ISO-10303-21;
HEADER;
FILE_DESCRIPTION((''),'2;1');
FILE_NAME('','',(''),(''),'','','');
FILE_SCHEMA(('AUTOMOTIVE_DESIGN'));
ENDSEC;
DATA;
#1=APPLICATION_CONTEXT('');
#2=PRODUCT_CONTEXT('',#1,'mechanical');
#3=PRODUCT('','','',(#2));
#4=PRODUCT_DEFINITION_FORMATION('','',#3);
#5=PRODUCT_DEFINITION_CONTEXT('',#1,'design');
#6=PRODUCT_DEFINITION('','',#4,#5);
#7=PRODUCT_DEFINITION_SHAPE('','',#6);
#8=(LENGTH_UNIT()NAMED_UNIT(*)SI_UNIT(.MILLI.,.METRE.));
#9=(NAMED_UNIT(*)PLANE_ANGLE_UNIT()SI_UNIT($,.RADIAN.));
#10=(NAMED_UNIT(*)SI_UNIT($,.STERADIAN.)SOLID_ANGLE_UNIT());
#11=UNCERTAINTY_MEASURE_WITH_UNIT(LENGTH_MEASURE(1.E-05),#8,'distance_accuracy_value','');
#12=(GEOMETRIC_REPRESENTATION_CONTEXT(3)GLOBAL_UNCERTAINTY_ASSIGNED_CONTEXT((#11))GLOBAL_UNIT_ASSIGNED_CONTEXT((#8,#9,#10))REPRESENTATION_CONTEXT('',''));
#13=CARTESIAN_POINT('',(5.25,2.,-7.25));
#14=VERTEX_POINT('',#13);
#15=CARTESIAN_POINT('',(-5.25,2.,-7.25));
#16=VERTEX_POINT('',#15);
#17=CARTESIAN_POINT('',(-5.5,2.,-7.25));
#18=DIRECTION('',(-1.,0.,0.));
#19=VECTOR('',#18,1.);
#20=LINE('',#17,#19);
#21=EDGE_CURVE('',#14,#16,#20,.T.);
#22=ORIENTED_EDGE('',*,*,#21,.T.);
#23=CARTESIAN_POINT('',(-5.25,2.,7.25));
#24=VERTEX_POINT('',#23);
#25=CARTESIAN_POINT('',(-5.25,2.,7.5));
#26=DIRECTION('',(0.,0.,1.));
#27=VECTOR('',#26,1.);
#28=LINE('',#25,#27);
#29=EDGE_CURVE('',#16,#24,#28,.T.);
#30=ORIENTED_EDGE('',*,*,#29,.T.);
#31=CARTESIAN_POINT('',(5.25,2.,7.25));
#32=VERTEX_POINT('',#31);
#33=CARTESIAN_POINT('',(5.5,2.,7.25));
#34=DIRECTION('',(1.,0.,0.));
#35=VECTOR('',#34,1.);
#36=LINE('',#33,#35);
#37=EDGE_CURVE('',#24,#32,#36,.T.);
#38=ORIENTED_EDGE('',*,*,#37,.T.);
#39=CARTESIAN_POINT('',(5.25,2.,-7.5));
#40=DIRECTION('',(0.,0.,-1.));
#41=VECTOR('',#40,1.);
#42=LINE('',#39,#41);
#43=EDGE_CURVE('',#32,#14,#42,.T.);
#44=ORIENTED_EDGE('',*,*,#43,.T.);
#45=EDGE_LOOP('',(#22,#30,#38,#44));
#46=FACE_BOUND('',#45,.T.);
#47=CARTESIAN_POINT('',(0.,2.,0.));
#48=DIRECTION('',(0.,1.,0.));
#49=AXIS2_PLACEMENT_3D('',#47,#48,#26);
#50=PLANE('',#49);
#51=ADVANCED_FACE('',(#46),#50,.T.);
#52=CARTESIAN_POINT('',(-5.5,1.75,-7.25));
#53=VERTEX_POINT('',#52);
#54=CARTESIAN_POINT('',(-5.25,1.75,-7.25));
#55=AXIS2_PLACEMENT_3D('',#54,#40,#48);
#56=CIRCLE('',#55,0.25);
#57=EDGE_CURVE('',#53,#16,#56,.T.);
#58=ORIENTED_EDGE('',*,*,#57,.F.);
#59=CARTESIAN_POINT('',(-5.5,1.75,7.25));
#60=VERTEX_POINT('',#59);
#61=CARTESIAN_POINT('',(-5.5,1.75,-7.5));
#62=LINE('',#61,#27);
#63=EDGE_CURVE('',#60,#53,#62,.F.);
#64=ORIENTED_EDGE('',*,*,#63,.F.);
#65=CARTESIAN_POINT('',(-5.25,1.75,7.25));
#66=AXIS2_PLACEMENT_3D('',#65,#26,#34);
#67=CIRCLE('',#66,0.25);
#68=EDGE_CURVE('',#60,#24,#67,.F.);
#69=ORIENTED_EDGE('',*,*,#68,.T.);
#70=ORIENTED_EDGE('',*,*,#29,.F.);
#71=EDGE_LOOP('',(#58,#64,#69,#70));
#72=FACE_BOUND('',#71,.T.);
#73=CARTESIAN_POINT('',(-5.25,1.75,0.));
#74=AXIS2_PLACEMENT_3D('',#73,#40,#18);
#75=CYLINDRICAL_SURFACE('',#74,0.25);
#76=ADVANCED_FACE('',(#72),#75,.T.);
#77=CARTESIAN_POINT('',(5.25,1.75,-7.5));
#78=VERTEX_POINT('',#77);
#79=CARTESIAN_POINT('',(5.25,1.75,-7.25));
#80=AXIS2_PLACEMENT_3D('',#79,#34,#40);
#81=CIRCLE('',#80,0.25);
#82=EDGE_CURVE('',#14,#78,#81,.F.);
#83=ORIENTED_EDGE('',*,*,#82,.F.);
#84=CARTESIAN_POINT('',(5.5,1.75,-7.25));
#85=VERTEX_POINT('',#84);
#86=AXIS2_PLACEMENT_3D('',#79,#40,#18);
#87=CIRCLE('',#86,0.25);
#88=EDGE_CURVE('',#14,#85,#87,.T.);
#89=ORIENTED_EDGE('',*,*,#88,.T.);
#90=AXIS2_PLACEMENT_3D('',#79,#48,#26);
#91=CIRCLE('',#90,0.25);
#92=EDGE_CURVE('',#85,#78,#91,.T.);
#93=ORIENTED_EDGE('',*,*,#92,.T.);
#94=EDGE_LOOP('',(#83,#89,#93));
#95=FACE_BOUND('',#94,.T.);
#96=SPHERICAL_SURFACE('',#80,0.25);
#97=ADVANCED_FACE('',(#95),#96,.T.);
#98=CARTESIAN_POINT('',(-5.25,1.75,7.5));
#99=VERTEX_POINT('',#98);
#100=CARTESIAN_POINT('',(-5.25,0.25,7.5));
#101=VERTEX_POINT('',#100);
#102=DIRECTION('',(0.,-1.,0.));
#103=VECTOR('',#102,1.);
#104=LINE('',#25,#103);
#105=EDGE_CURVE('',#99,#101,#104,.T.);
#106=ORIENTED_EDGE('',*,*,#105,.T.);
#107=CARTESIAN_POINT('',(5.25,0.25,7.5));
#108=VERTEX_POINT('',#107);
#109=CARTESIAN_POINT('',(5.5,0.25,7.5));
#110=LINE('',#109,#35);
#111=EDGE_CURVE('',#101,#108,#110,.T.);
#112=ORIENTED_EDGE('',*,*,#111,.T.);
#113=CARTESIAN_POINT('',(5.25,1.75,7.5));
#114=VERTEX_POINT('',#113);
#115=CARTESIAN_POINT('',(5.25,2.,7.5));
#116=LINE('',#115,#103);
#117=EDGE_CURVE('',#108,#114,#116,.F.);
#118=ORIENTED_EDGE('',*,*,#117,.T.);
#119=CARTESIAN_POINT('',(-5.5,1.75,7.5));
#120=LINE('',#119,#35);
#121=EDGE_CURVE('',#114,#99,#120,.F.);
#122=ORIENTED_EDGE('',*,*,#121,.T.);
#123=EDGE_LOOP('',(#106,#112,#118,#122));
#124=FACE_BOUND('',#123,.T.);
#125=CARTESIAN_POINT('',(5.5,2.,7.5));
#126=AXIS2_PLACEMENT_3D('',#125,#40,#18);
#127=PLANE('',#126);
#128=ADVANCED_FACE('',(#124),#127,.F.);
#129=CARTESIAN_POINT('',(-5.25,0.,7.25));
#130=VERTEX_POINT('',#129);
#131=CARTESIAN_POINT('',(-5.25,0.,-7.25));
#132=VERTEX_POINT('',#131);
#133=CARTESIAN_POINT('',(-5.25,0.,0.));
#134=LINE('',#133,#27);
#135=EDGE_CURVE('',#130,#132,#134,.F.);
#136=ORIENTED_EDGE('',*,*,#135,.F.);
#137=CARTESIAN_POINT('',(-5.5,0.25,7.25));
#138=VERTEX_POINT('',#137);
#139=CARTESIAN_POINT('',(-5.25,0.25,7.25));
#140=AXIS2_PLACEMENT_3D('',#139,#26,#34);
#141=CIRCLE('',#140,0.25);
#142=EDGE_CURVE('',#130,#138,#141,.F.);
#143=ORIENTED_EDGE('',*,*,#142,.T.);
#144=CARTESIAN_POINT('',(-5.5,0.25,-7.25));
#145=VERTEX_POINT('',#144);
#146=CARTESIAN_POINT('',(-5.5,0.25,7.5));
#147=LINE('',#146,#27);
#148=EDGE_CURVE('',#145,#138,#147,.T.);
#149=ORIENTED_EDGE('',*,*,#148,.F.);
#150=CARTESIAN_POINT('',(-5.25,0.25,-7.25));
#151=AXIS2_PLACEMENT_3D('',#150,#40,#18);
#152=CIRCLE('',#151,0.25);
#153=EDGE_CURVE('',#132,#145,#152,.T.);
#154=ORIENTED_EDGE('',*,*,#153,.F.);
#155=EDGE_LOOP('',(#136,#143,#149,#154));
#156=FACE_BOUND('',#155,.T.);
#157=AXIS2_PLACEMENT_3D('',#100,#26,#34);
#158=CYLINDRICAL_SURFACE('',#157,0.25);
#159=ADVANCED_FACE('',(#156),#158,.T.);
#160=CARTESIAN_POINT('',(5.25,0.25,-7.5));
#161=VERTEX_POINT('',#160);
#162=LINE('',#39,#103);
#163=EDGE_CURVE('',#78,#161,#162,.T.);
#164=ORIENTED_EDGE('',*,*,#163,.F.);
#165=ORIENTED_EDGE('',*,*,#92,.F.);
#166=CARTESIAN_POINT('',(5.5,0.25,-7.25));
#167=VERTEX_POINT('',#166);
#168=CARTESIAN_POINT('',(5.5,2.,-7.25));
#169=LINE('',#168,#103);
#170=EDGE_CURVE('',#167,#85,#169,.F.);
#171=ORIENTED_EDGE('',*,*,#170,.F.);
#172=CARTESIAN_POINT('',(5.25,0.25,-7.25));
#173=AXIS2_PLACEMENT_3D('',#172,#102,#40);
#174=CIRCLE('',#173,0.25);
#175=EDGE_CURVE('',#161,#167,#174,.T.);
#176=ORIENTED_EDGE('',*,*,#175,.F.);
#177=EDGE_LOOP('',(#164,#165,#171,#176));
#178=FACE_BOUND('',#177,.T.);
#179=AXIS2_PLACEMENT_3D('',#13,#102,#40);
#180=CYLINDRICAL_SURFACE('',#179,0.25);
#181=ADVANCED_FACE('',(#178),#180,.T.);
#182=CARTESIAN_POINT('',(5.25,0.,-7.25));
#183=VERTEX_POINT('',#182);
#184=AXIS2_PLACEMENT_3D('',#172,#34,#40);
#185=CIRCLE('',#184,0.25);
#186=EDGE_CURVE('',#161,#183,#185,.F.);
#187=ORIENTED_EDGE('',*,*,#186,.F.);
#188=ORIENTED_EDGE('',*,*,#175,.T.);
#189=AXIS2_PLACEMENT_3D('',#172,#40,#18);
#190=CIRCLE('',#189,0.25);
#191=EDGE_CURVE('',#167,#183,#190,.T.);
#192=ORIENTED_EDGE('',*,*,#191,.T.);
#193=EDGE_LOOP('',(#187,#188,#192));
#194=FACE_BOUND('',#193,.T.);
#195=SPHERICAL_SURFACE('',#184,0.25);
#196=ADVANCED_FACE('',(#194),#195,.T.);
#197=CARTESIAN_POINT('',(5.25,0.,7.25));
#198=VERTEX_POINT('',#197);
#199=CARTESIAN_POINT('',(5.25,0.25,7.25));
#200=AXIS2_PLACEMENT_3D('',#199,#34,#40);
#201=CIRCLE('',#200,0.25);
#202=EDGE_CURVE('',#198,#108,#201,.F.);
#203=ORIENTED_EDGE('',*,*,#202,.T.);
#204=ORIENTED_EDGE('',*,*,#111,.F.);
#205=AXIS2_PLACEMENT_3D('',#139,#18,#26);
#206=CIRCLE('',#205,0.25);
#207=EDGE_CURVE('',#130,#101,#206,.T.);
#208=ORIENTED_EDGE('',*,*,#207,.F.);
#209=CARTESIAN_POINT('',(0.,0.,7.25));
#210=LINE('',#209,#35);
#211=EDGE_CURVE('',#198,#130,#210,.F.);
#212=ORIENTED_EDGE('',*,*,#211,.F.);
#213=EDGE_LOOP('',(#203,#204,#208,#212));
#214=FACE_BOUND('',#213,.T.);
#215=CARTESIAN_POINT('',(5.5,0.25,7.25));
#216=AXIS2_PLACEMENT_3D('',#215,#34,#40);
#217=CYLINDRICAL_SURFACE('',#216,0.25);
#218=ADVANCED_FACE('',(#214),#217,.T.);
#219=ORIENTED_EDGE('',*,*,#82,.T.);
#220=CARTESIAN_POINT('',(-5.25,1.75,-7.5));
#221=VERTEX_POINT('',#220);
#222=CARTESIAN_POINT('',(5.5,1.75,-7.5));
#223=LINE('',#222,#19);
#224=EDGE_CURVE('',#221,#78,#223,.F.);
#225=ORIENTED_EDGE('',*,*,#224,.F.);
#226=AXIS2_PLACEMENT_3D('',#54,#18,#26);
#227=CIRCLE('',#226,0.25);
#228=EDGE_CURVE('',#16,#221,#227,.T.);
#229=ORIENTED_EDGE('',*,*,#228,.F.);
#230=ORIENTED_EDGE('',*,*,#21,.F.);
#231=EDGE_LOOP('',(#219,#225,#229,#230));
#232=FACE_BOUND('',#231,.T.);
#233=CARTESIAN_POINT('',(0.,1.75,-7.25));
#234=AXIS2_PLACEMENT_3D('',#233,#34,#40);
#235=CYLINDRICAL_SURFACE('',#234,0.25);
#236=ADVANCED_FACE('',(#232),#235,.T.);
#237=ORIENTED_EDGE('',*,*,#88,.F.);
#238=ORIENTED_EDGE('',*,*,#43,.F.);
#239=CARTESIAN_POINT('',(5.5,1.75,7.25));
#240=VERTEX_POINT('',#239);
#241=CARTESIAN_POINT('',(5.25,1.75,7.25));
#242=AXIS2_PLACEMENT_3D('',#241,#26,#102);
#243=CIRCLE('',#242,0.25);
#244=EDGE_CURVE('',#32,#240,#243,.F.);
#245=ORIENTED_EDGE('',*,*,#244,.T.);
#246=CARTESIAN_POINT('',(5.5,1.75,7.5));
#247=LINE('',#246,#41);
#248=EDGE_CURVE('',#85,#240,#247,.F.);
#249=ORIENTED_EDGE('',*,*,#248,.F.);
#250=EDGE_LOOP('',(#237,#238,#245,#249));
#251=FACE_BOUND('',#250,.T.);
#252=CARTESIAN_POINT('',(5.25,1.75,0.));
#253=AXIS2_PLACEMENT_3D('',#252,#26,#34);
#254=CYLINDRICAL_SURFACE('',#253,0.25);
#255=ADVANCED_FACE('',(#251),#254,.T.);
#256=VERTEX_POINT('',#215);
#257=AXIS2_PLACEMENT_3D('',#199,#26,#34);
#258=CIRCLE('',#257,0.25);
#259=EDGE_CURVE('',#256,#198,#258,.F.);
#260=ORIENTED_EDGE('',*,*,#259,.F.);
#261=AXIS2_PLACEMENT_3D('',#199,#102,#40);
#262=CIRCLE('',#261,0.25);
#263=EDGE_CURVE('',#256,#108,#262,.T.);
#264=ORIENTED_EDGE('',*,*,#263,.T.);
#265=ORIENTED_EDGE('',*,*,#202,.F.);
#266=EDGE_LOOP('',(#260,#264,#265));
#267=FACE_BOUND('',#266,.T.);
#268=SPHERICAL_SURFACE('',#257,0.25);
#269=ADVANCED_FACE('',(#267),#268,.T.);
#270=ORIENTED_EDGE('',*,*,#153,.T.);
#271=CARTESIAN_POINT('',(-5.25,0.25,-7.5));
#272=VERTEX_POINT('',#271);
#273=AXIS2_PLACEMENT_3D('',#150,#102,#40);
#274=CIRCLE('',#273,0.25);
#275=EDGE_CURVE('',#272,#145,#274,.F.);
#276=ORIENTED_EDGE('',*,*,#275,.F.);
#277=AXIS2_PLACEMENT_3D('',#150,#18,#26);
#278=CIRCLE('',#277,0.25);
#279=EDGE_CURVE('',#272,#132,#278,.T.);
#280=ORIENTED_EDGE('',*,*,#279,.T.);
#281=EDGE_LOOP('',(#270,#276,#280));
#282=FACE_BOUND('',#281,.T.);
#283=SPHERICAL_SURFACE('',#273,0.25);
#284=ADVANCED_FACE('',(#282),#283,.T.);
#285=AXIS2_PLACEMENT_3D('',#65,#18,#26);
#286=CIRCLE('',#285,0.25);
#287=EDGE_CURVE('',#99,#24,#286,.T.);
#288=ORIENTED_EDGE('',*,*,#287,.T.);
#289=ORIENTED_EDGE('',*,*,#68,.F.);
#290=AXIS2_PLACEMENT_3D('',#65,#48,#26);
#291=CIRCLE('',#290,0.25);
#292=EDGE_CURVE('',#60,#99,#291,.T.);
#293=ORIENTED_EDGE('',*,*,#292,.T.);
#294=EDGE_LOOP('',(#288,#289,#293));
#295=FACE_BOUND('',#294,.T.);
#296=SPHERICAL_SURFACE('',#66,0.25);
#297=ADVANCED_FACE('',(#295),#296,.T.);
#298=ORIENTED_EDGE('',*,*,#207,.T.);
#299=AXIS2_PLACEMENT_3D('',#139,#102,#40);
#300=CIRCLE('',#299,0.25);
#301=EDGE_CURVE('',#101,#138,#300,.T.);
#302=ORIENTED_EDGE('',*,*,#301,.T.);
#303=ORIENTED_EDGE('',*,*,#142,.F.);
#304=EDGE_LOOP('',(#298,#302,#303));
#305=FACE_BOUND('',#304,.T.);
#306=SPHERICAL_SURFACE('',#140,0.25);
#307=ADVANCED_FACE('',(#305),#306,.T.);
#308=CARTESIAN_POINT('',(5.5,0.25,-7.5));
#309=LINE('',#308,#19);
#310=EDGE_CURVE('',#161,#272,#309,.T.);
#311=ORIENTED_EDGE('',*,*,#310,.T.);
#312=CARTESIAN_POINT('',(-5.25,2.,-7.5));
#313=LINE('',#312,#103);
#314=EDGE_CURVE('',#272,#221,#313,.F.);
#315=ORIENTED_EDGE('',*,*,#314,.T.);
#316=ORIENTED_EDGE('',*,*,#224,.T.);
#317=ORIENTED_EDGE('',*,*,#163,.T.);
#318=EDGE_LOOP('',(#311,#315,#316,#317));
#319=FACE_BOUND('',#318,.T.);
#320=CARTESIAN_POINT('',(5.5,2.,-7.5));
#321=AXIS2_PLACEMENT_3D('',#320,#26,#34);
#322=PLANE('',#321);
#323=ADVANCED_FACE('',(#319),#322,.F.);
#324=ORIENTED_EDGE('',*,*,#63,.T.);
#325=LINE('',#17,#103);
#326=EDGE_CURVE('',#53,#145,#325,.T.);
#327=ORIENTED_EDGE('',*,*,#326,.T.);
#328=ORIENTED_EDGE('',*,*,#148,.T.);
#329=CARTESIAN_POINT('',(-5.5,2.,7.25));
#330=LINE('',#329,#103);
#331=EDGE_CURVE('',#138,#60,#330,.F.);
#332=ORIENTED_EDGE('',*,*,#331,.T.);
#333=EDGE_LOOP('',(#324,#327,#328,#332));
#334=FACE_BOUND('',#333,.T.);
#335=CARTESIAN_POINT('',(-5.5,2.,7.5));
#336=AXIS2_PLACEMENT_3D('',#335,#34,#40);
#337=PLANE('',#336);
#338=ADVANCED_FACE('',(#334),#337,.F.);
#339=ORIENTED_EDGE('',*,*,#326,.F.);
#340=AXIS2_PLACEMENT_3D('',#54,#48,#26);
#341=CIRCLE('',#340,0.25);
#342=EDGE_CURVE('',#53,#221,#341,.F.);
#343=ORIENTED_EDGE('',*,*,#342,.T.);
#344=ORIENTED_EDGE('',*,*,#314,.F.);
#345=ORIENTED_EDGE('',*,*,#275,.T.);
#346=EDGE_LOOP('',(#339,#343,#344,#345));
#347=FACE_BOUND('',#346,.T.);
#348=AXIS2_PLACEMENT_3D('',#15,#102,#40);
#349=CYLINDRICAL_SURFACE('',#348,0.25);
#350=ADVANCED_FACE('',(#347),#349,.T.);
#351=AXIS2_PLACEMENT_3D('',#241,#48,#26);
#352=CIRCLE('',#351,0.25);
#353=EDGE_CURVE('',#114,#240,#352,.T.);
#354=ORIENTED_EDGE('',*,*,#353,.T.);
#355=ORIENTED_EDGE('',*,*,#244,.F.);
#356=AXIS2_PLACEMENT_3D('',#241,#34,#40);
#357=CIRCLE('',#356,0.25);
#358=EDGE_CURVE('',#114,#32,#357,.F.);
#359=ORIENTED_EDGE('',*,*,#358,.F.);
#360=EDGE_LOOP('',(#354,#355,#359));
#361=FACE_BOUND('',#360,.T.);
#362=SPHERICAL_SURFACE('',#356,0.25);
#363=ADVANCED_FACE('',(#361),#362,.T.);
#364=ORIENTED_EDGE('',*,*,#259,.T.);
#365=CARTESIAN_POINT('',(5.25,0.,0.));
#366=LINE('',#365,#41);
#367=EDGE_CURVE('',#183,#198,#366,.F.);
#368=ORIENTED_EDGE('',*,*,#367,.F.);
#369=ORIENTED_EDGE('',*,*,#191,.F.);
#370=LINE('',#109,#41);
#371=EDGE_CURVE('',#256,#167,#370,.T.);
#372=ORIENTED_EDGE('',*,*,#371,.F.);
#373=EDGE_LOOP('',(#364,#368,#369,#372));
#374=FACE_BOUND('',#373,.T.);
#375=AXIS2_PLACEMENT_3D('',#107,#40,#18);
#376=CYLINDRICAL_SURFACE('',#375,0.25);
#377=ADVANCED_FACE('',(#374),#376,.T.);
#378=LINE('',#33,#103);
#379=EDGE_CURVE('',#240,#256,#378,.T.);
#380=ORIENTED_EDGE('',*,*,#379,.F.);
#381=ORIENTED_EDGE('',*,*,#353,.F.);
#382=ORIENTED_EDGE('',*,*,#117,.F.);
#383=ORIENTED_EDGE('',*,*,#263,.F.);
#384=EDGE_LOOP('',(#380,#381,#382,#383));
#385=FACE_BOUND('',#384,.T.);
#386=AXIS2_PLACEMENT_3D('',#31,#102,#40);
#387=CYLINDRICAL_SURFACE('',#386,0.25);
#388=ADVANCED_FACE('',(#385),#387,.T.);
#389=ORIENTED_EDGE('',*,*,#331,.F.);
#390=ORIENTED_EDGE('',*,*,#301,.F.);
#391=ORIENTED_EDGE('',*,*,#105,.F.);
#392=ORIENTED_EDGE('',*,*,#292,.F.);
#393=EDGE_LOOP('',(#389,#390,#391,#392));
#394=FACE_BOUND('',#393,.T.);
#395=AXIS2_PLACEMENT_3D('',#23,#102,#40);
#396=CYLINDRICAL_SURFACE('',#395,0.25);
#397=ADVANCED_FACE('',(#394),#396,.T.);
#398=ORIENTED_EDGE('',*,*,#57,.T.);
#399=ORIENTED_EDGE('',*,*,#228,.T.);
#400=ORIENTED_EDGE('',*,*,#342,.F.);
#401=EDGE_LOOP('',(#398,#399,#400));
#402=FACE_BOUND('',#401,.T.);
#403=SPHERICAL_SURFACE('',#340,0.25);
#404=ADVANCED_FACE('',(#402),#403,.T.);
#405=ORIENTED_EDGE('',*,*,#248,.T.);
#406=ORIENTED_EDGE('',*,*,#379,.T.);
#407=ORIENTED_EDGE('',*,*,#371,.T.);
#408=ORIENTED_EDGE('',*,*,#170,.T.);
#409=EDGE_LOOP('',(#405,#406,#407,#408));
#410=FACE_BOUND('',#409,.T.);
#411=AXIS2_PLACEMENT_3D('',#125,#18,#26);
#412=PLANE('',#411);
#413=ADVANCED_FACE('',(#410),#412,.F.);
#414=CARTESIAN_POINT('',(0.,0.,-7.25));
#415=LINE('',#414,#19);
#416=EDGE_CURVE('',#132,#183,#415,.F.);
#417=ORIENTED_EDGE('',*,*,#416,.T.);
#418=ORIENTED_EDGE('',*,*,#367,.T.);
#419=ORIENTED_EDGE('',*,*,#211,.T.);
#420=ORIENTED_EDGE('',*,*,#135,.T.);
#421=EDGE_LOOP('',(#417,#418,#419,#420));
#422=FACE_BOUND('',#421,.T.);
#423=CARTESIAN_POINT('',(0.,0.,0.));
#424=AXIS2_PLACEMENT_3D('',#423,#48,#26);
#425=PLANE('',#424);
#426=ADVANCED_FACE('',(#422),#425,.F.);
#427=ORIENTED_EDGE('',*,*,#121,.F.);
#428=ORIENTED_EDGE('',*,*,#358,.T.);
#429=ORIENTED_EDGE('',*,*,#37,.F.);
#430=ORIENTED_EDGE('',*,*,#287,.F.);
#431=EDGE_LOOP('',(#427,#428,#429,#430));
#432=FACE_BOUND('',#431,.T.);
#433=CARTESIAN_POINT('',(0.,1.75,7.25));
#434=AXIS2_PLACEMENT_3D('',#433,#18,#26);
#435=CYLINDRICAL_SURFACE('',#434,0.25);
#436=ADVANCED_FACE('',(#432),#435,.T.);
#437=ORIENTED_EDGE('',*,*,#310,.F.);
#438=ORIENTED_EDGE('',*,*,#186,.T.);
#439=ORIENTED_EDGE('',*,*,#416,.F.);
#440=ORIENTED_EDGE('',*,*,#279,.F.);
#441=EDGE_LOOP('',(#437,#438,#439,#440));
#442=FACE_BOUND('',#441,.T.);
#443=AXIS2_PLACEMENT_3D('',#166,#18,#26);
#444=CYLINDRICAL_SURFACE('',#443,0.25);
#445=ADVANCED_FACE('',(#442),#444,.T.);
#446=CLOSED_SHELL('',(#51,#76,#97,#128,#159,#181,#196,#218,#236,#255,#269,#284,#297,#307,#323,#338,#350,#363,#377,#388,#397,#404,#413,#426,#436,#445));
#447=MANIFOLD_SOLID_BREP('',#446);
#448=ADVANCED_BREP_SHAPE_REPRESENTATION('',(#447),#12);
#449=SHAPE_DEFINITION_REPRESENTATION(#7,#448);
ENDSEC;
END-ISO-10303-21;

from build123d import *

# Parameters (mm, degrees)
ESQUISSE1_W        = 11
ESQUISSE1_H        = 15
BOSS_EXTRU_1_DEPTH = 2
CONG_1_R           = 0.25


with BuildPart() as part:
    # Esquisse1 → Boss.-Extru.1 (new body)
    with BuildSketch(Plane(origin=(0, 0, 0), x_dir=(1, 0, 0), z_dir=(0, 1, 0))):
        Rectangle(ESQUISSE1_W, ESQUISSE1_H)
    extrude(amount=BOSS_EXTRU_1_DEPTH)

    # Congé1
    cong_1_edges = [part.edges().sort_by_distance(p)[0] for p in [
        (5.5, 2, 0),
        (0, 2, -7.5),
        (-5.5, 2, 0),
        (0, 0, -7.5),
        (5.5, 0, 0),
        (0, 0, 7.5),
        (-5.5, 0, 0),
        (-5.5, 1, -7.5),
        (5.5, 1, -7.5),
        (5.5, 1, 7.5),
        (-5.5, 1, 7.5),
        (0, 2, 7.5),
    ]]
    fillet(cong_1_edges, radius=CONG_1_R)


solid = part.part
